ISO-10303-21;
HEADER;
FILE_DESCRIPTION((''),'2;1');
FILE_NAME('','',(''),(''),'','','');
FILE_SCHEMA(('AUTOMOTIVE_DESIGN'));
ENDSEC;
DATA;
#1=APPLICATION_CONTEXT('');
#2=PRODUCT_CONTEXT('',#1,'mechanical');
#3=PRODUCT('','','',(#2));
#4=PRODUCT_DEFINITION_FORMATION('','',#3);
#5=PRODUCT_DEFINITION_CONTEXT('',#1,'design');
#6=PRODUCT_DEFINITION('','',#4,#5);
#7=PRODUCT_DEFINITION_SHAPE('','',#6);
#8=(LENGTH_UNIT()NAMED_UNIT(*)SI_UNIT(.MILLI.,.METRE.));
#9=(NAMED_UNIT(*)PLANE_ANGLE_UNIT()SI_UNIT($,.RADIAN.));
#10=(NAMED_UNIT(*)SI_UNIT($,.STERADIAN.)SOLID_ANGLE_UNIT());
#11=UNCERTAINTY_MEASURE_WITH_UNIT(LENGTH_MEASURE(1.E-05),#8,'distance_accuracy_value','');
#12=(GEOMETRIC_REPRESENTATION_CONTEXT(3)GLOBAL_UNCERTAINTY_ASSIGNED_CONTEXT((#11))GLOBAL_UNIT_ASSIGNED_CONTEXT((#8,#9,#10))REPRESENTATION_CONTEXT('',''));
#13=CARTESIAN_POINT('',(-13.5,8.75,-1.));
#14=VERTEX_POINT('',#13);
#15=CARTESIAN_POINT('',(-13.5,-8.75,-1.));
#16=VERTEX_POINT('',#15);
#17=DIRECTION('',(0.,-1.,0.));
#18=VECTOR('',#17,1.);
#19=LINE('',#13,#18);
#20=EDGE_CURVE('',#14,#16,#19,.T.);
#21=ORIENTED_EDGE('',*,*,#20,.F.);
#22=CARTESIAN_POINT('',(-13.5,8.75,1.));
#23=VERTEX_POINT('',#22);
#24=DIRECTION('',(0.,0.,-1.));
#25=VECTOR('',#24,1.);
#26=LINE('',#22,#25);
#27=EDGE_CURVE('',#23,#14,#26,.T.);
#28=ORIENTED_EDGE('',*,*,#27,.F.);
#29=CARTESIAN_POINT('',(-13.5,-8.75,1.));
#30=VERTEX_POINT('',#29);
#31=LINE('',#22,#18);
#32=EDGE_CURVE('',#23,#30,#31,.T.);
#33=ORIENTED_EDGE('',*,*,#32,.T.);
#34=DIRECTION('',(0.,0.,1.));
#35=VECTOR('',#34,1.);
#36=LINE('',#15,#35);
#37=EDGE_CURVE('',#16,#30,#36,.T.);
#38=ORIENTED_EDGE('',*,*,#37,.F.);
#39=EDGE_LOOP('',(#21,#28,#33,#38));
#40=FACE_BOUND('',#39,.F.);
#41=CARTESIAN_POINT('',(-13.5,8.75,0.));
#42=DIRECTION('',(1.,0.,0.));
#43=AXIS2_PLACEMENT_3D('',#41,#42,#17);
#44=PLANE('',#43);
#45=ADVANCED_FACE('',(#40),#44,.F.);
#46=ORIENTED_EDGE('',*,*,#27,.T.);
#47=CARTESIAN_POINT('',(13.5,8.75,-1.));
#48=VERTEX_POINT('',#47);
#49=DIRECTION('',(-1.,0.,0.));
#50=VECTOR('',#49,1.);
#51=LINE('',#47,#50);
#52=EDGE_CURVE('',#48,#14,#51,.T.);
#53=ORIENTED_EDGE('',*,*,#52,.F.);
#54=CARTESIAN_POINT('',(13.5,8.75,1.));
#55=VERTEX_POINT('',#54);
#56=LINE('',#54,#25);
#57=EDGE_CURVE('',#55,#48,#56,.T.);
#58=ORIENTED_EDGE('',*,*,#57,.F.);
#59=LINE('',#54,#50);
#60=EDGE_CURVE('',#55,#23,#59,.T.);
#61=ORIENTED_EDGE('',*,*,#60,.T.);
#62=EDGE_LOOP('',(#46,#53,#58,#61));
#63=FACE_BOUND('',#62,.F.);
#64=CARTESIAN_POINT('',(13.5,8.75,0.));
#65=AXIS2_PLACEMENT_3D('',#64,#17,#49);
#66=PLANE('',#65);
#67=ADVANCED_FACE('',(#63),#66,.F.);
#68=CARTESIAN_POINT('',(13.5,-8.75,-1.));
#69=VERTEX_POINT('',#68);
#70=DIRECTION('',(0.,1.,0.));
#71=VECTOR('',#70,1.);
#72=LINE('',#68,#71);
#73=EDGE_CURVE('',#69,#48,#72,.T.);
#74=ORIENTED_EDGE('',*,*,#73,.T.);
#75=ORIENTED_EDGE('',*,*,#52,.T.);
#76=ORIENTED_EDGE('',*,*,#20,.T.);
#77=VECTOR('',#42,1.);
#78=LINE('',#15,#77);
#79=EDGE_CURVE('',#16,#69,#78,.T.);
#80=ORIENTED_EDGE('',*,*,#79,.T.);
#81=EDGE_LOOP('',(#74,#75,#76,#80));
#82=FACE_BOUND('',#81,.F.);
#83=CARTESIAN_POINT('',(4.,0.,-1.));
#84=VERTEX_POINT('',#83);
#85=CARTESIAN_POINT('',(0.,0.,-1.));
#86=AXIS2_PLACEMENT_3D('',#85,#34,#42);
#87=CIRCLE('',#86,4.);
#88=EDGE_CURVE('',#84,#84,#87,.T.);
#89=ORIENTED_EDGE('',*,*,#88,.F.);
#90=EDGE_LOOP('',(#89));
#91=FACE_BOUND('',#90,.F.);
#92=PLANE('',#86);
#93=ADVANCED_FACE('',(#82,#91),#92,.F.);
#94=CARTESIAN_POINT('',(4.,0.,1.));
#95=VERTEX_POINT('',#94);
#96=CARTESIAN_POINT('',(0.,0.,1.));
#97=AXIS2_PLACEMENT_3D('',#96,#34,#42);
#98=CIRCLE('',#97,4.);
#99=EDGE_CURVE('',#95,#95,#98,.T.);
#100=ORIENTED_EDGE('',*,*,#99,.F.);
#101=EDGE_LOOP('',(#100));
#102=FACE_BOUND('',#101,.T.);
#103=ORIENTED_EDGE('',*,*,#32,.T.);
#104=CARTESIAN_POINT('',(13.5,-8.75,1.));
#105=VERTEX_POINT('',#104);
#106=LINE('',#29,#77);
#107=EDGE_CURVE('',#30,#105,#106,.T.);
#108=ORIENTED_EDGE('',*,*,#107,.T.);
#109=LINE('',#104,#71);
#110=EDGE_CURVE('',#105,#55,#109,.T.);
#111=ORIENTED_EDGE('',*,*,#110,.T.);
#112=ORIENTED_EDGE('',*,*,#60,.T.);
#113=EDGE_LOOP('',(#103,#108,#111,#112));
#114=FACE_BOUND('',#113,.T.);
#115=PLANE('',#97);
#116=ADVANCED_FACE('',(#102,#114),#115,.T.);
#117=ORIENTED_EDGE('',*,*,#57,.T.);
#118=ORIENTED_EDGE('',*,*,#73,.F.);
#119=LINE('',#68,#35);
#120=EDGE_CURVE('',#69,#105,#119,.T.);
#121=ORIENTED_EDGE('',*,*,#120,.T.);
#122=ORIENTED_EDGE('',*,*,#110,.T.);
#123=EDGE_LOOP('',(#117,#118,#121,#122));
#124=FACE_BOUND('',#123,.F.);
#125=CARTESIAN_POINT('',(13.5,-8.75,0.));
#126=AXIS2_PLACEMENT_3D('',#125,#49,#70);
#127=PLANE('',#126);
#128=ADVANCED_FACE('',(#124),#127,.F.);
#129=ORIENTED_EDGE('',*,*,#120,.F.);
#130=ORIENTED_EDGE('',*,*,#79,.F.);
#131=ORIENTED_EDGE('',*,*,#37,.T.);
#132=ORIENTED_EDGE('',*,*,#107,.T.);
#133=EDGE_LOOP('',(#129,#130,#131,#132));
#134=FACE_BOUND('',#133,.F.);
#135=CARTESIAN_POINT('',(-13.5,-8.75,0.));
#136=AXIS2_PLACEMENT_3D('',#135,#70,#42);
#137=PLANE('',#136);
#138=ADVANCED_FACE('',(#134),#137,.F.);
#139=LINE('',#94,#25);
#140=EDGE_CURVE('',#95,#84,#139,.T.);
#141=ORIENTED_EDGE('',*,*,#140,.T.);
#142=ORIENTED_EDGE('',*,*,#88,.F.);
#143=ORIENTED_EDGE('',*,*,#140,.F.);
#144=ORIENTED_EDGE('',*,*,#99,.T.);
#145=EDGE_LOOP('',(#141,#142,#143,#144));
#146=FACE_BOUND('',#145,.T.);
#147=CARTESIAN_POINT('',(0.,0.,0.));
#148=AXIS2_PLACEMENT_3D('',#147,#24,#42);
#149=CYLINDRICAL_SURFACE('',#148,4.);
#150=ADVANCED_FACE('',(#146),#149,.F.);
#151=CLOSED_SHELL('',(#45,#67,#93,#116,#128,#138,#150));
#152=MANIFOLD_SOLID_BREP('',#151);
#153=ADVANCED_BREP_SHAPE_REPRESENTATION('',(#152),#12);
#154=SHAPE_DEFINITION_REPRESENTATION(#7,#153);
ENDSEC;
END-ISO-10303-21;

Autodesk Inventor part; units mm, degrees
ref_plane "YZ Plane" through (0, 0, 0) normal (1, 0, 0) x (0, 1, 0)
ref_plane "XZ Plane" through (0, 0, 0) normal (0, 1, 0) x (-1, 0, 0)
ref_plane "XY Plane" through (0, 0, 0) normal (0, 0, 1) x (1, 0, 0)
sketch "Sketch1" plane through (0, 0, 0) normal (0, 0, 1) x (1, 0, 0)
  line L0 (-13.5, -8.75) -> (13.5, -8.75)
  line L1 (13.5, -8.75) -> (13.5, 8.75)
  line L2 (13.5, 8.75) -> (-13.5, 8.75)
  line L3 (-13.5, 8.75) -> (-13.5, -8.75)
  line L4 (0, 0) -> (0, 8.75) construction
  line L5 (0, 0) -> (13.5, 0) construction
  circle A0 centre (0, 0) radius 4
  dimension "d0" = 27
  dimension "d2" = 8
  dimension "d3" = 17.5
extrude "Extrusion1" add sketch "Sketch1" along normal mid plane 2
properties part number "20-028Z1" material "Steel, High Strength Low Alloy"
